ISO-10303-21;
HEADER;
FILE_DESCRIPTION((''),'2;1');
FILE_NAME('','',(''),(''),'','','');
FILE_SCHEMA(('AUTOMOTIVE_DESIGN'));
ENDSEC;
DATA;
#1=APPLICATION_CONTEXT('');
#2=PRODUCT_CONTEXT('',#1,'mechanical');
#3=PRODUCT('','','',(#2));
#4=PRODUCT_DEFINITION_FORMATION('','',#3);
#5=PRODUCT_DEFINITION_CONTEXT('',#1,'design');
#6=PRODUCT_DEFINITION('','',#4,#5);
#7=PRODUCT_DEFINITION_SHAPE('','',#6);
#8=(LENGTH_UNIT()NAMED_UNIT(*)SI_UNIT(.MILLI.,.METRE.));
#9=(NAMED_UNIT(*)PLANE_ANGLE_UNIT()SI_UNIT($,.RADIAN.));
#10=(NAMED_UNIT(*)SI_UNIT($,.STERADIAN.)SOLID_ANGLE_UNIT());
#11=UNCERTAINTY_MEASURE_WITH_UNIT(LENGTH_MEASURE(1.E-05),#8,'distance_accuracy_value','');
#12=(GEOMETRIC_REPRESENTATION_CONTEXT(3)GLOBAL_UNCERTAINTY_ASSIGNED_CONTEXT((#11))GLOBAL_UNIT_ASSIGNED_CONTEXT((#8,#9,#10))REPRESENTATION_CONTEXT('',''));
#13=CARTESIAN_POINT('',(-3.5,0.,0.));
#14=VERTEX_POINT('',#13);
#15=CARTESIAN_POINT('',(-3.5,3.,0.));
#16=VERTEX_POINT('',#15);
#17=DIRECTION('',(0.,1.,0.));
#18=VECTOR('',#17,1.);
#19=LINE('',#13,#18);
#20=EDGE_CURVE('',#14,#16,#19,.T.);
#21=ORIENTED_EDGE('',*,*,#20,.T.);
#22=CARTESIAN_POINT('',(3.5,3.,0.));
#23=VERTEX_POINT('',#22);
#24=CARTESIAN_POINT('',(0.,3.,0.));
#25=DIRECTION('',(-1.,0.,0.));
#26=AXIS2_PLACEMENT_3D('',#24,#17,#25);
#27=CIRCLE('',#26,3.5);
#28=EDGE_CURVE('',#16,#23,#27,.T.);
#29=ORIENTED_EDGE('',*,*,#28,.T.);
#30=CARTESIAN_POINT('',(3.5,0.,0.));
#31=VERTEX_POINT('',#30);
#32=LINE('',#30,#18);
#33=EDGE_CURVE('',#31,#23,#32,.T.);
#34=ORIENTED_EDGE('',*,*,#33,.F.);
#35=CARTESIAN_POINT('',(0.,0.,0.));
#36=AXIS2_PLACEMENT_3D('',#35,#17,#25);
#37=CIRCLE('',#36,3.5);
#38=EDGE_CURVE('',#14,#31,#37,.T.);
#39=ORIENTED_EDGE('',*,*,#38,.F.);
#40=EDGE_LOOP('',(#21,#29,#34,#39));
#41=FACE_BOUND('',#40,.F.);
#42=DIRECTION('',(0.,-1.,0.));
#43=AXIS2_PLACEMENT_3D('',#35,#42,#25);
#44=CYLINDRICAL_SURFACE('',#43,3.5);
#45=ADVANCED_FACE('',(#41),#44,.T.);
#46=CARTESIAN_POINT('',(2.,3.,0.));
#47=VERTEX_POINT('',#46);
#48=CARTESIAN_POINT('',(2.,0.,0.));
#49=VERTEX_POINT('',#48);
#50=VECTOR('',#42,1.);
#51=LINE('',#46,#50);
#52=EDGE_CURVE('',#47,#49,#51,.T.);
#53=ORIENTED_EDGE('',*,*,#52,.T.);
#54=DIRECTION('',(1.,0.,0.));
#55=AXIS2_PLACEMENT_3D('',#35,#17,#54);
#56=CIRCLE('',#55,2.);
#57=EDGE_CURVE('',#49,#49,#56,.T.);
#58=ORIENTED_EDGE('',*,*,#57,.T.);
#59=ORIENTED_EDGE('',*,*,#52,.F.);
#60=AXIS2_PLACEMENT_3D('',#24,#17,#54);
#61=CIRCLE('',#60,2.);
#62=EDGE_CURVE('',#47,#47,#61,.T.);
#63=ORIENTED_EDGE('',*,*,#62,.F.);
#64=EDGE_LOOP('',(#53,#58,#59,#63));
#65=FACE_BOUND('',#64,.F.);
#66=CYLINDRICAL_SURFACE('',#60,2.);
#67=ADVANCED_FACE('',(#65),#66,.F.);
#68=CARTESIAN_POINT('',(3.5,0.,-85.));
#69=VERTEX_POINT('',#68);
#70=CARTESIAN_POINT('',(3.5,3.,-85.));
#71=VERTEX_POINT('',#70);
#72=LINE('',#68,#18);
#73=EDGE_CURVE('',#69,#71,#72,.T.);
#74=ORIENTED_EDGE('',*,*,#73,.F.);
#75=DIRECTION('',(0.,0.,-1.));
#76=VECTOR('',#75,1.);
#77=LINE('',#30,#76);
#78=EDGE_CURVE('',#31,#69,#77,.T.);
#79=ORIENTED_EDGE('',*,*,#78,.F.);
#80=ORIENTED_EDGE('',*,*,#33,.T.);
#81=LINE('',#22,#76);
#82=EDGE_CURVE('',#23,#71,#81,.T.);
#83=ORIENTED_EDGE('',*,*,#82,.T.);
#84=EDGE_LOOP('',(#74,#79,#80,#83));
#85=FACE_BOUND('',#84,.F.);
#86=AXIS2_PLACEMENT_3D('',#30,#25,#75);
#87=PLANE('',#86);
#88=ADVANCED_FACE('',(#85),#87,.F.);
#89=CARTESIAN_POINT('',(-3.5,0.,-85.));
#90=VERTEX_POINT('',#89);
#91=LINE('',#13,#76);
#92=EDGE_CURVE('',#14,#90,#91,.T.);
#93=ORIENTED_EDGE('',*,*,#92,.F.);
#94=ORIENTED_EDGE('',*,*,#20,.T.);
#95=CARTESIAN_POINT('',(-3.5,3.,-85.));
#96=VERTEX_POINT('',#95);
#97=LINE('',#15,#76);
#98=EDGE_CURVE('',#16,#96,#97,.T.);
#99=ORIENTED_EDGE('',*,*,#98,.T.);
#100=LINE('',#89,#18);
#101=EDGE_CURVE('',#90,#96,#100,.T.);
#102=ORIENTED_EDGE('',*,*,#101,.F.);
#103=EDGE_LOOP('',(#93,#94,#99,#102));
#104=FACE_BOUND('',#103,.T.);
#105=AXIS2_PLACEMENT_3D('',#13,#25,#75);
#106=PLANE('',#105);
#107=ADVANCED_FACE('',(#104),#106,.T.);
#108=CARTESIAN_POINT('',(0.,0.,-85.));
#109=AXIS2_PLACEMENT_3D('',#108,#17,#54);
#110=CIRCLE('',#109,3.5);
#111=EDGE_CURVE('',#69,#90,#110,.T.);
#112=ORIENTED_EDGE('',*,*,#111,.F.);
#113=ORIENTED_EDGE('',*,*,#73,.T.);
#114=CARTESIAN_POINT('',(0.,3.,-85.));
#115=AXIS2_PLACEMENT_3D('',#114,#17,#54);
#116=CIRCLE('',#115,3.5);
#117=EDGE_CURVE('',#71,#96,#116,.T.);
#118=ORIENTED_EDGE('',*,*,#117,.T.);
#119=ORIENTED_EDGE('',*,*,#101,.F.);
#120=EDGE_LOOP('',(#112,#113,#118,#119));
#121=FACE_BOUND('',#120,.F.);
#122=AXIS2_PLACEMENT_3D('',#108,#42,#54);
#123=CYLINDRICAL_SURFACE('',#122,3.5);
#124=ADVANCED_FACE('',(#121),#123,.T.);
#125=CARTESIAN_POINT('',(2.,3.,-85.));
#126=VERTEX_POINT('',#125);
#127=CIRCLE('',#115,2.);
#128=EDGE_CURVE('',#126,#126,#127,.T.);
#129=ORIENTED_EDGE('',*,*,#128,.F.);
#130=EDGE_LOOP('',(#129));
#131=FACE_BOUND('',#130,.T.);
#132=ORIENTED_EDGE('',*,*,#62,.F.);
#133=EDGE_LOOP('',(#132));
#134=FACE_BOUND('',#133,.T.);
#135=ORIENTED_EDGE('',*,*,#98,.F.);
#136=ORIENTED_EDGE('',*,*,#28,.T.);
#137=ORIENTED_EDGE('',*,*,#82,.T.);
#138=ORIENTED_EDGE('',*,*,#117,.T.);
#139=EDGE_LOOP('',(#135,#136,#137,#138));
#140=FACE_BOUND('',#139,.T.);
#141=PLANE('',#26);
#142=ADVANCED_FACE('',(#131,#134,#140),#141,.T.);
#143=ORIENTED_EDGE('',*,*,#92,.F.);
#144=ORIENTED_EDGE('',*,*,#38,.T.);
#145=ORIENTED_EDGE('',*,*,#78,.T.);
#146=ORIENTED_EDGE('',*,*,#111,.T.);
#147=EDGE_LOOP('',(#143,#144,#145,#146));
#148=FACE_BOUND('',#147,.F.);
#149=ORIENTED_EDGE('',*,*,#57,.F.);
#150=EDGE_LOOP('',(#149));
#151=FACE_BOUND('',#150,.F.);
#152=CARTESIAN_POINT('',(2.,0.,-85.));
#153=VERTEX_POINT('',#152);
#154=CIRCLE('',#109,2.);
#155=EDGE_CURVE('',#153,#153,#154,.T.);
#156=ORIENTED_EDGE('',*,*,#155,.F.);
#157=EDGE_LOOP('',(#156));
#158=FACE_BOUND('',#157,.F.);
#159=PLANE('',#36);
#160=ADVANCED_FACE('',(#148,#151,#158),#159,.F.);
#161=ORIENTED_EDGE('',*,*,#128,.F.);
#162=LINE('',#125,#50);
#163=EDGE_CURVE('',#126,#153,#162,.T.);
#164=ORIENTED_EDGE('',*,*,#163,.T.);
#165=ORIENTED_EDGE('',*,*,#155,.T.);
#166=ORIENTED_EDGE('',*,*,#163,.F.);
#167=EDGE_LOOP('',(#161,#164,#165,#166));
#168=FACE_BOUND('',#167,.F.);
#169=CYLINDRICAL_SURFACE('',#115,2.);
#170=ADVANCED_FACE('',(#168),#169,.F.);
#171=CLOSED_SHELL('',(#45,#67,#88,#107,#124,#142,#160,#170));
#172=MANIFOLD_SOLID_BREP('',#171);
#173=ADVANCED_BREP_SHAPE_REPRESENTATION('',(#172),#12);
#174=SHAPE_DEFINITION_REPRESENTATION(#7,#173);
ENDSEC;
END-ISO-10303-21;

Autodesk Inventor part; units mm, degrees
ref_plane "YZ Plane" through (0, 0, 0) normal (1, 0, 0) x (0, 1, 0)
ref_plane "XZ Plane" through (0, 0, 0) normal (0, 1, 0) x (-1, 0, 0)
ref_plane "XY Plane" through (0, 0, 0) normal (0, 0, 1) x (1, 0, 0)
sketch "Sketch1" plane through (0, 0, 0) normal (0, 1, 0) x (-1, 0, 0)
  arc A0 (3.5, 0) -> (-3.5, 0) centre (0, 0) ccw
  arc A1 (-3.5, -85) -> (3.5, -85) centre (0, -85) ccw
  line L0 (3.5, 0) -> (3.5, -85)
  line L1 (-3.5, 0) -> (-3.5, -85)
  dimension "d0" = 7
  dimension "d1" = 7
  dimension "d9" = 85
extrude "Extrusion1" add sketch "Sketch1" along normal blind 3
sketch "Sketch2" plane through (0, 3, 0) normal (0, 1, 0) x (1, 0, 0)
  circle A0 centre (0, 0) radius 2
  circle A1 centre (0, 85) radius 2
  arc A2 (3.5, 85) -> (-3.5, 85) centre (0, 85) ccw projected
  dimension "d4" = 4
  dimension "d5" = 4
  dimension "d10" = 1.5
extrude "Extrusion2" cut sketch "Sketch2" against normal blind 3
properties part number "tay quay"
